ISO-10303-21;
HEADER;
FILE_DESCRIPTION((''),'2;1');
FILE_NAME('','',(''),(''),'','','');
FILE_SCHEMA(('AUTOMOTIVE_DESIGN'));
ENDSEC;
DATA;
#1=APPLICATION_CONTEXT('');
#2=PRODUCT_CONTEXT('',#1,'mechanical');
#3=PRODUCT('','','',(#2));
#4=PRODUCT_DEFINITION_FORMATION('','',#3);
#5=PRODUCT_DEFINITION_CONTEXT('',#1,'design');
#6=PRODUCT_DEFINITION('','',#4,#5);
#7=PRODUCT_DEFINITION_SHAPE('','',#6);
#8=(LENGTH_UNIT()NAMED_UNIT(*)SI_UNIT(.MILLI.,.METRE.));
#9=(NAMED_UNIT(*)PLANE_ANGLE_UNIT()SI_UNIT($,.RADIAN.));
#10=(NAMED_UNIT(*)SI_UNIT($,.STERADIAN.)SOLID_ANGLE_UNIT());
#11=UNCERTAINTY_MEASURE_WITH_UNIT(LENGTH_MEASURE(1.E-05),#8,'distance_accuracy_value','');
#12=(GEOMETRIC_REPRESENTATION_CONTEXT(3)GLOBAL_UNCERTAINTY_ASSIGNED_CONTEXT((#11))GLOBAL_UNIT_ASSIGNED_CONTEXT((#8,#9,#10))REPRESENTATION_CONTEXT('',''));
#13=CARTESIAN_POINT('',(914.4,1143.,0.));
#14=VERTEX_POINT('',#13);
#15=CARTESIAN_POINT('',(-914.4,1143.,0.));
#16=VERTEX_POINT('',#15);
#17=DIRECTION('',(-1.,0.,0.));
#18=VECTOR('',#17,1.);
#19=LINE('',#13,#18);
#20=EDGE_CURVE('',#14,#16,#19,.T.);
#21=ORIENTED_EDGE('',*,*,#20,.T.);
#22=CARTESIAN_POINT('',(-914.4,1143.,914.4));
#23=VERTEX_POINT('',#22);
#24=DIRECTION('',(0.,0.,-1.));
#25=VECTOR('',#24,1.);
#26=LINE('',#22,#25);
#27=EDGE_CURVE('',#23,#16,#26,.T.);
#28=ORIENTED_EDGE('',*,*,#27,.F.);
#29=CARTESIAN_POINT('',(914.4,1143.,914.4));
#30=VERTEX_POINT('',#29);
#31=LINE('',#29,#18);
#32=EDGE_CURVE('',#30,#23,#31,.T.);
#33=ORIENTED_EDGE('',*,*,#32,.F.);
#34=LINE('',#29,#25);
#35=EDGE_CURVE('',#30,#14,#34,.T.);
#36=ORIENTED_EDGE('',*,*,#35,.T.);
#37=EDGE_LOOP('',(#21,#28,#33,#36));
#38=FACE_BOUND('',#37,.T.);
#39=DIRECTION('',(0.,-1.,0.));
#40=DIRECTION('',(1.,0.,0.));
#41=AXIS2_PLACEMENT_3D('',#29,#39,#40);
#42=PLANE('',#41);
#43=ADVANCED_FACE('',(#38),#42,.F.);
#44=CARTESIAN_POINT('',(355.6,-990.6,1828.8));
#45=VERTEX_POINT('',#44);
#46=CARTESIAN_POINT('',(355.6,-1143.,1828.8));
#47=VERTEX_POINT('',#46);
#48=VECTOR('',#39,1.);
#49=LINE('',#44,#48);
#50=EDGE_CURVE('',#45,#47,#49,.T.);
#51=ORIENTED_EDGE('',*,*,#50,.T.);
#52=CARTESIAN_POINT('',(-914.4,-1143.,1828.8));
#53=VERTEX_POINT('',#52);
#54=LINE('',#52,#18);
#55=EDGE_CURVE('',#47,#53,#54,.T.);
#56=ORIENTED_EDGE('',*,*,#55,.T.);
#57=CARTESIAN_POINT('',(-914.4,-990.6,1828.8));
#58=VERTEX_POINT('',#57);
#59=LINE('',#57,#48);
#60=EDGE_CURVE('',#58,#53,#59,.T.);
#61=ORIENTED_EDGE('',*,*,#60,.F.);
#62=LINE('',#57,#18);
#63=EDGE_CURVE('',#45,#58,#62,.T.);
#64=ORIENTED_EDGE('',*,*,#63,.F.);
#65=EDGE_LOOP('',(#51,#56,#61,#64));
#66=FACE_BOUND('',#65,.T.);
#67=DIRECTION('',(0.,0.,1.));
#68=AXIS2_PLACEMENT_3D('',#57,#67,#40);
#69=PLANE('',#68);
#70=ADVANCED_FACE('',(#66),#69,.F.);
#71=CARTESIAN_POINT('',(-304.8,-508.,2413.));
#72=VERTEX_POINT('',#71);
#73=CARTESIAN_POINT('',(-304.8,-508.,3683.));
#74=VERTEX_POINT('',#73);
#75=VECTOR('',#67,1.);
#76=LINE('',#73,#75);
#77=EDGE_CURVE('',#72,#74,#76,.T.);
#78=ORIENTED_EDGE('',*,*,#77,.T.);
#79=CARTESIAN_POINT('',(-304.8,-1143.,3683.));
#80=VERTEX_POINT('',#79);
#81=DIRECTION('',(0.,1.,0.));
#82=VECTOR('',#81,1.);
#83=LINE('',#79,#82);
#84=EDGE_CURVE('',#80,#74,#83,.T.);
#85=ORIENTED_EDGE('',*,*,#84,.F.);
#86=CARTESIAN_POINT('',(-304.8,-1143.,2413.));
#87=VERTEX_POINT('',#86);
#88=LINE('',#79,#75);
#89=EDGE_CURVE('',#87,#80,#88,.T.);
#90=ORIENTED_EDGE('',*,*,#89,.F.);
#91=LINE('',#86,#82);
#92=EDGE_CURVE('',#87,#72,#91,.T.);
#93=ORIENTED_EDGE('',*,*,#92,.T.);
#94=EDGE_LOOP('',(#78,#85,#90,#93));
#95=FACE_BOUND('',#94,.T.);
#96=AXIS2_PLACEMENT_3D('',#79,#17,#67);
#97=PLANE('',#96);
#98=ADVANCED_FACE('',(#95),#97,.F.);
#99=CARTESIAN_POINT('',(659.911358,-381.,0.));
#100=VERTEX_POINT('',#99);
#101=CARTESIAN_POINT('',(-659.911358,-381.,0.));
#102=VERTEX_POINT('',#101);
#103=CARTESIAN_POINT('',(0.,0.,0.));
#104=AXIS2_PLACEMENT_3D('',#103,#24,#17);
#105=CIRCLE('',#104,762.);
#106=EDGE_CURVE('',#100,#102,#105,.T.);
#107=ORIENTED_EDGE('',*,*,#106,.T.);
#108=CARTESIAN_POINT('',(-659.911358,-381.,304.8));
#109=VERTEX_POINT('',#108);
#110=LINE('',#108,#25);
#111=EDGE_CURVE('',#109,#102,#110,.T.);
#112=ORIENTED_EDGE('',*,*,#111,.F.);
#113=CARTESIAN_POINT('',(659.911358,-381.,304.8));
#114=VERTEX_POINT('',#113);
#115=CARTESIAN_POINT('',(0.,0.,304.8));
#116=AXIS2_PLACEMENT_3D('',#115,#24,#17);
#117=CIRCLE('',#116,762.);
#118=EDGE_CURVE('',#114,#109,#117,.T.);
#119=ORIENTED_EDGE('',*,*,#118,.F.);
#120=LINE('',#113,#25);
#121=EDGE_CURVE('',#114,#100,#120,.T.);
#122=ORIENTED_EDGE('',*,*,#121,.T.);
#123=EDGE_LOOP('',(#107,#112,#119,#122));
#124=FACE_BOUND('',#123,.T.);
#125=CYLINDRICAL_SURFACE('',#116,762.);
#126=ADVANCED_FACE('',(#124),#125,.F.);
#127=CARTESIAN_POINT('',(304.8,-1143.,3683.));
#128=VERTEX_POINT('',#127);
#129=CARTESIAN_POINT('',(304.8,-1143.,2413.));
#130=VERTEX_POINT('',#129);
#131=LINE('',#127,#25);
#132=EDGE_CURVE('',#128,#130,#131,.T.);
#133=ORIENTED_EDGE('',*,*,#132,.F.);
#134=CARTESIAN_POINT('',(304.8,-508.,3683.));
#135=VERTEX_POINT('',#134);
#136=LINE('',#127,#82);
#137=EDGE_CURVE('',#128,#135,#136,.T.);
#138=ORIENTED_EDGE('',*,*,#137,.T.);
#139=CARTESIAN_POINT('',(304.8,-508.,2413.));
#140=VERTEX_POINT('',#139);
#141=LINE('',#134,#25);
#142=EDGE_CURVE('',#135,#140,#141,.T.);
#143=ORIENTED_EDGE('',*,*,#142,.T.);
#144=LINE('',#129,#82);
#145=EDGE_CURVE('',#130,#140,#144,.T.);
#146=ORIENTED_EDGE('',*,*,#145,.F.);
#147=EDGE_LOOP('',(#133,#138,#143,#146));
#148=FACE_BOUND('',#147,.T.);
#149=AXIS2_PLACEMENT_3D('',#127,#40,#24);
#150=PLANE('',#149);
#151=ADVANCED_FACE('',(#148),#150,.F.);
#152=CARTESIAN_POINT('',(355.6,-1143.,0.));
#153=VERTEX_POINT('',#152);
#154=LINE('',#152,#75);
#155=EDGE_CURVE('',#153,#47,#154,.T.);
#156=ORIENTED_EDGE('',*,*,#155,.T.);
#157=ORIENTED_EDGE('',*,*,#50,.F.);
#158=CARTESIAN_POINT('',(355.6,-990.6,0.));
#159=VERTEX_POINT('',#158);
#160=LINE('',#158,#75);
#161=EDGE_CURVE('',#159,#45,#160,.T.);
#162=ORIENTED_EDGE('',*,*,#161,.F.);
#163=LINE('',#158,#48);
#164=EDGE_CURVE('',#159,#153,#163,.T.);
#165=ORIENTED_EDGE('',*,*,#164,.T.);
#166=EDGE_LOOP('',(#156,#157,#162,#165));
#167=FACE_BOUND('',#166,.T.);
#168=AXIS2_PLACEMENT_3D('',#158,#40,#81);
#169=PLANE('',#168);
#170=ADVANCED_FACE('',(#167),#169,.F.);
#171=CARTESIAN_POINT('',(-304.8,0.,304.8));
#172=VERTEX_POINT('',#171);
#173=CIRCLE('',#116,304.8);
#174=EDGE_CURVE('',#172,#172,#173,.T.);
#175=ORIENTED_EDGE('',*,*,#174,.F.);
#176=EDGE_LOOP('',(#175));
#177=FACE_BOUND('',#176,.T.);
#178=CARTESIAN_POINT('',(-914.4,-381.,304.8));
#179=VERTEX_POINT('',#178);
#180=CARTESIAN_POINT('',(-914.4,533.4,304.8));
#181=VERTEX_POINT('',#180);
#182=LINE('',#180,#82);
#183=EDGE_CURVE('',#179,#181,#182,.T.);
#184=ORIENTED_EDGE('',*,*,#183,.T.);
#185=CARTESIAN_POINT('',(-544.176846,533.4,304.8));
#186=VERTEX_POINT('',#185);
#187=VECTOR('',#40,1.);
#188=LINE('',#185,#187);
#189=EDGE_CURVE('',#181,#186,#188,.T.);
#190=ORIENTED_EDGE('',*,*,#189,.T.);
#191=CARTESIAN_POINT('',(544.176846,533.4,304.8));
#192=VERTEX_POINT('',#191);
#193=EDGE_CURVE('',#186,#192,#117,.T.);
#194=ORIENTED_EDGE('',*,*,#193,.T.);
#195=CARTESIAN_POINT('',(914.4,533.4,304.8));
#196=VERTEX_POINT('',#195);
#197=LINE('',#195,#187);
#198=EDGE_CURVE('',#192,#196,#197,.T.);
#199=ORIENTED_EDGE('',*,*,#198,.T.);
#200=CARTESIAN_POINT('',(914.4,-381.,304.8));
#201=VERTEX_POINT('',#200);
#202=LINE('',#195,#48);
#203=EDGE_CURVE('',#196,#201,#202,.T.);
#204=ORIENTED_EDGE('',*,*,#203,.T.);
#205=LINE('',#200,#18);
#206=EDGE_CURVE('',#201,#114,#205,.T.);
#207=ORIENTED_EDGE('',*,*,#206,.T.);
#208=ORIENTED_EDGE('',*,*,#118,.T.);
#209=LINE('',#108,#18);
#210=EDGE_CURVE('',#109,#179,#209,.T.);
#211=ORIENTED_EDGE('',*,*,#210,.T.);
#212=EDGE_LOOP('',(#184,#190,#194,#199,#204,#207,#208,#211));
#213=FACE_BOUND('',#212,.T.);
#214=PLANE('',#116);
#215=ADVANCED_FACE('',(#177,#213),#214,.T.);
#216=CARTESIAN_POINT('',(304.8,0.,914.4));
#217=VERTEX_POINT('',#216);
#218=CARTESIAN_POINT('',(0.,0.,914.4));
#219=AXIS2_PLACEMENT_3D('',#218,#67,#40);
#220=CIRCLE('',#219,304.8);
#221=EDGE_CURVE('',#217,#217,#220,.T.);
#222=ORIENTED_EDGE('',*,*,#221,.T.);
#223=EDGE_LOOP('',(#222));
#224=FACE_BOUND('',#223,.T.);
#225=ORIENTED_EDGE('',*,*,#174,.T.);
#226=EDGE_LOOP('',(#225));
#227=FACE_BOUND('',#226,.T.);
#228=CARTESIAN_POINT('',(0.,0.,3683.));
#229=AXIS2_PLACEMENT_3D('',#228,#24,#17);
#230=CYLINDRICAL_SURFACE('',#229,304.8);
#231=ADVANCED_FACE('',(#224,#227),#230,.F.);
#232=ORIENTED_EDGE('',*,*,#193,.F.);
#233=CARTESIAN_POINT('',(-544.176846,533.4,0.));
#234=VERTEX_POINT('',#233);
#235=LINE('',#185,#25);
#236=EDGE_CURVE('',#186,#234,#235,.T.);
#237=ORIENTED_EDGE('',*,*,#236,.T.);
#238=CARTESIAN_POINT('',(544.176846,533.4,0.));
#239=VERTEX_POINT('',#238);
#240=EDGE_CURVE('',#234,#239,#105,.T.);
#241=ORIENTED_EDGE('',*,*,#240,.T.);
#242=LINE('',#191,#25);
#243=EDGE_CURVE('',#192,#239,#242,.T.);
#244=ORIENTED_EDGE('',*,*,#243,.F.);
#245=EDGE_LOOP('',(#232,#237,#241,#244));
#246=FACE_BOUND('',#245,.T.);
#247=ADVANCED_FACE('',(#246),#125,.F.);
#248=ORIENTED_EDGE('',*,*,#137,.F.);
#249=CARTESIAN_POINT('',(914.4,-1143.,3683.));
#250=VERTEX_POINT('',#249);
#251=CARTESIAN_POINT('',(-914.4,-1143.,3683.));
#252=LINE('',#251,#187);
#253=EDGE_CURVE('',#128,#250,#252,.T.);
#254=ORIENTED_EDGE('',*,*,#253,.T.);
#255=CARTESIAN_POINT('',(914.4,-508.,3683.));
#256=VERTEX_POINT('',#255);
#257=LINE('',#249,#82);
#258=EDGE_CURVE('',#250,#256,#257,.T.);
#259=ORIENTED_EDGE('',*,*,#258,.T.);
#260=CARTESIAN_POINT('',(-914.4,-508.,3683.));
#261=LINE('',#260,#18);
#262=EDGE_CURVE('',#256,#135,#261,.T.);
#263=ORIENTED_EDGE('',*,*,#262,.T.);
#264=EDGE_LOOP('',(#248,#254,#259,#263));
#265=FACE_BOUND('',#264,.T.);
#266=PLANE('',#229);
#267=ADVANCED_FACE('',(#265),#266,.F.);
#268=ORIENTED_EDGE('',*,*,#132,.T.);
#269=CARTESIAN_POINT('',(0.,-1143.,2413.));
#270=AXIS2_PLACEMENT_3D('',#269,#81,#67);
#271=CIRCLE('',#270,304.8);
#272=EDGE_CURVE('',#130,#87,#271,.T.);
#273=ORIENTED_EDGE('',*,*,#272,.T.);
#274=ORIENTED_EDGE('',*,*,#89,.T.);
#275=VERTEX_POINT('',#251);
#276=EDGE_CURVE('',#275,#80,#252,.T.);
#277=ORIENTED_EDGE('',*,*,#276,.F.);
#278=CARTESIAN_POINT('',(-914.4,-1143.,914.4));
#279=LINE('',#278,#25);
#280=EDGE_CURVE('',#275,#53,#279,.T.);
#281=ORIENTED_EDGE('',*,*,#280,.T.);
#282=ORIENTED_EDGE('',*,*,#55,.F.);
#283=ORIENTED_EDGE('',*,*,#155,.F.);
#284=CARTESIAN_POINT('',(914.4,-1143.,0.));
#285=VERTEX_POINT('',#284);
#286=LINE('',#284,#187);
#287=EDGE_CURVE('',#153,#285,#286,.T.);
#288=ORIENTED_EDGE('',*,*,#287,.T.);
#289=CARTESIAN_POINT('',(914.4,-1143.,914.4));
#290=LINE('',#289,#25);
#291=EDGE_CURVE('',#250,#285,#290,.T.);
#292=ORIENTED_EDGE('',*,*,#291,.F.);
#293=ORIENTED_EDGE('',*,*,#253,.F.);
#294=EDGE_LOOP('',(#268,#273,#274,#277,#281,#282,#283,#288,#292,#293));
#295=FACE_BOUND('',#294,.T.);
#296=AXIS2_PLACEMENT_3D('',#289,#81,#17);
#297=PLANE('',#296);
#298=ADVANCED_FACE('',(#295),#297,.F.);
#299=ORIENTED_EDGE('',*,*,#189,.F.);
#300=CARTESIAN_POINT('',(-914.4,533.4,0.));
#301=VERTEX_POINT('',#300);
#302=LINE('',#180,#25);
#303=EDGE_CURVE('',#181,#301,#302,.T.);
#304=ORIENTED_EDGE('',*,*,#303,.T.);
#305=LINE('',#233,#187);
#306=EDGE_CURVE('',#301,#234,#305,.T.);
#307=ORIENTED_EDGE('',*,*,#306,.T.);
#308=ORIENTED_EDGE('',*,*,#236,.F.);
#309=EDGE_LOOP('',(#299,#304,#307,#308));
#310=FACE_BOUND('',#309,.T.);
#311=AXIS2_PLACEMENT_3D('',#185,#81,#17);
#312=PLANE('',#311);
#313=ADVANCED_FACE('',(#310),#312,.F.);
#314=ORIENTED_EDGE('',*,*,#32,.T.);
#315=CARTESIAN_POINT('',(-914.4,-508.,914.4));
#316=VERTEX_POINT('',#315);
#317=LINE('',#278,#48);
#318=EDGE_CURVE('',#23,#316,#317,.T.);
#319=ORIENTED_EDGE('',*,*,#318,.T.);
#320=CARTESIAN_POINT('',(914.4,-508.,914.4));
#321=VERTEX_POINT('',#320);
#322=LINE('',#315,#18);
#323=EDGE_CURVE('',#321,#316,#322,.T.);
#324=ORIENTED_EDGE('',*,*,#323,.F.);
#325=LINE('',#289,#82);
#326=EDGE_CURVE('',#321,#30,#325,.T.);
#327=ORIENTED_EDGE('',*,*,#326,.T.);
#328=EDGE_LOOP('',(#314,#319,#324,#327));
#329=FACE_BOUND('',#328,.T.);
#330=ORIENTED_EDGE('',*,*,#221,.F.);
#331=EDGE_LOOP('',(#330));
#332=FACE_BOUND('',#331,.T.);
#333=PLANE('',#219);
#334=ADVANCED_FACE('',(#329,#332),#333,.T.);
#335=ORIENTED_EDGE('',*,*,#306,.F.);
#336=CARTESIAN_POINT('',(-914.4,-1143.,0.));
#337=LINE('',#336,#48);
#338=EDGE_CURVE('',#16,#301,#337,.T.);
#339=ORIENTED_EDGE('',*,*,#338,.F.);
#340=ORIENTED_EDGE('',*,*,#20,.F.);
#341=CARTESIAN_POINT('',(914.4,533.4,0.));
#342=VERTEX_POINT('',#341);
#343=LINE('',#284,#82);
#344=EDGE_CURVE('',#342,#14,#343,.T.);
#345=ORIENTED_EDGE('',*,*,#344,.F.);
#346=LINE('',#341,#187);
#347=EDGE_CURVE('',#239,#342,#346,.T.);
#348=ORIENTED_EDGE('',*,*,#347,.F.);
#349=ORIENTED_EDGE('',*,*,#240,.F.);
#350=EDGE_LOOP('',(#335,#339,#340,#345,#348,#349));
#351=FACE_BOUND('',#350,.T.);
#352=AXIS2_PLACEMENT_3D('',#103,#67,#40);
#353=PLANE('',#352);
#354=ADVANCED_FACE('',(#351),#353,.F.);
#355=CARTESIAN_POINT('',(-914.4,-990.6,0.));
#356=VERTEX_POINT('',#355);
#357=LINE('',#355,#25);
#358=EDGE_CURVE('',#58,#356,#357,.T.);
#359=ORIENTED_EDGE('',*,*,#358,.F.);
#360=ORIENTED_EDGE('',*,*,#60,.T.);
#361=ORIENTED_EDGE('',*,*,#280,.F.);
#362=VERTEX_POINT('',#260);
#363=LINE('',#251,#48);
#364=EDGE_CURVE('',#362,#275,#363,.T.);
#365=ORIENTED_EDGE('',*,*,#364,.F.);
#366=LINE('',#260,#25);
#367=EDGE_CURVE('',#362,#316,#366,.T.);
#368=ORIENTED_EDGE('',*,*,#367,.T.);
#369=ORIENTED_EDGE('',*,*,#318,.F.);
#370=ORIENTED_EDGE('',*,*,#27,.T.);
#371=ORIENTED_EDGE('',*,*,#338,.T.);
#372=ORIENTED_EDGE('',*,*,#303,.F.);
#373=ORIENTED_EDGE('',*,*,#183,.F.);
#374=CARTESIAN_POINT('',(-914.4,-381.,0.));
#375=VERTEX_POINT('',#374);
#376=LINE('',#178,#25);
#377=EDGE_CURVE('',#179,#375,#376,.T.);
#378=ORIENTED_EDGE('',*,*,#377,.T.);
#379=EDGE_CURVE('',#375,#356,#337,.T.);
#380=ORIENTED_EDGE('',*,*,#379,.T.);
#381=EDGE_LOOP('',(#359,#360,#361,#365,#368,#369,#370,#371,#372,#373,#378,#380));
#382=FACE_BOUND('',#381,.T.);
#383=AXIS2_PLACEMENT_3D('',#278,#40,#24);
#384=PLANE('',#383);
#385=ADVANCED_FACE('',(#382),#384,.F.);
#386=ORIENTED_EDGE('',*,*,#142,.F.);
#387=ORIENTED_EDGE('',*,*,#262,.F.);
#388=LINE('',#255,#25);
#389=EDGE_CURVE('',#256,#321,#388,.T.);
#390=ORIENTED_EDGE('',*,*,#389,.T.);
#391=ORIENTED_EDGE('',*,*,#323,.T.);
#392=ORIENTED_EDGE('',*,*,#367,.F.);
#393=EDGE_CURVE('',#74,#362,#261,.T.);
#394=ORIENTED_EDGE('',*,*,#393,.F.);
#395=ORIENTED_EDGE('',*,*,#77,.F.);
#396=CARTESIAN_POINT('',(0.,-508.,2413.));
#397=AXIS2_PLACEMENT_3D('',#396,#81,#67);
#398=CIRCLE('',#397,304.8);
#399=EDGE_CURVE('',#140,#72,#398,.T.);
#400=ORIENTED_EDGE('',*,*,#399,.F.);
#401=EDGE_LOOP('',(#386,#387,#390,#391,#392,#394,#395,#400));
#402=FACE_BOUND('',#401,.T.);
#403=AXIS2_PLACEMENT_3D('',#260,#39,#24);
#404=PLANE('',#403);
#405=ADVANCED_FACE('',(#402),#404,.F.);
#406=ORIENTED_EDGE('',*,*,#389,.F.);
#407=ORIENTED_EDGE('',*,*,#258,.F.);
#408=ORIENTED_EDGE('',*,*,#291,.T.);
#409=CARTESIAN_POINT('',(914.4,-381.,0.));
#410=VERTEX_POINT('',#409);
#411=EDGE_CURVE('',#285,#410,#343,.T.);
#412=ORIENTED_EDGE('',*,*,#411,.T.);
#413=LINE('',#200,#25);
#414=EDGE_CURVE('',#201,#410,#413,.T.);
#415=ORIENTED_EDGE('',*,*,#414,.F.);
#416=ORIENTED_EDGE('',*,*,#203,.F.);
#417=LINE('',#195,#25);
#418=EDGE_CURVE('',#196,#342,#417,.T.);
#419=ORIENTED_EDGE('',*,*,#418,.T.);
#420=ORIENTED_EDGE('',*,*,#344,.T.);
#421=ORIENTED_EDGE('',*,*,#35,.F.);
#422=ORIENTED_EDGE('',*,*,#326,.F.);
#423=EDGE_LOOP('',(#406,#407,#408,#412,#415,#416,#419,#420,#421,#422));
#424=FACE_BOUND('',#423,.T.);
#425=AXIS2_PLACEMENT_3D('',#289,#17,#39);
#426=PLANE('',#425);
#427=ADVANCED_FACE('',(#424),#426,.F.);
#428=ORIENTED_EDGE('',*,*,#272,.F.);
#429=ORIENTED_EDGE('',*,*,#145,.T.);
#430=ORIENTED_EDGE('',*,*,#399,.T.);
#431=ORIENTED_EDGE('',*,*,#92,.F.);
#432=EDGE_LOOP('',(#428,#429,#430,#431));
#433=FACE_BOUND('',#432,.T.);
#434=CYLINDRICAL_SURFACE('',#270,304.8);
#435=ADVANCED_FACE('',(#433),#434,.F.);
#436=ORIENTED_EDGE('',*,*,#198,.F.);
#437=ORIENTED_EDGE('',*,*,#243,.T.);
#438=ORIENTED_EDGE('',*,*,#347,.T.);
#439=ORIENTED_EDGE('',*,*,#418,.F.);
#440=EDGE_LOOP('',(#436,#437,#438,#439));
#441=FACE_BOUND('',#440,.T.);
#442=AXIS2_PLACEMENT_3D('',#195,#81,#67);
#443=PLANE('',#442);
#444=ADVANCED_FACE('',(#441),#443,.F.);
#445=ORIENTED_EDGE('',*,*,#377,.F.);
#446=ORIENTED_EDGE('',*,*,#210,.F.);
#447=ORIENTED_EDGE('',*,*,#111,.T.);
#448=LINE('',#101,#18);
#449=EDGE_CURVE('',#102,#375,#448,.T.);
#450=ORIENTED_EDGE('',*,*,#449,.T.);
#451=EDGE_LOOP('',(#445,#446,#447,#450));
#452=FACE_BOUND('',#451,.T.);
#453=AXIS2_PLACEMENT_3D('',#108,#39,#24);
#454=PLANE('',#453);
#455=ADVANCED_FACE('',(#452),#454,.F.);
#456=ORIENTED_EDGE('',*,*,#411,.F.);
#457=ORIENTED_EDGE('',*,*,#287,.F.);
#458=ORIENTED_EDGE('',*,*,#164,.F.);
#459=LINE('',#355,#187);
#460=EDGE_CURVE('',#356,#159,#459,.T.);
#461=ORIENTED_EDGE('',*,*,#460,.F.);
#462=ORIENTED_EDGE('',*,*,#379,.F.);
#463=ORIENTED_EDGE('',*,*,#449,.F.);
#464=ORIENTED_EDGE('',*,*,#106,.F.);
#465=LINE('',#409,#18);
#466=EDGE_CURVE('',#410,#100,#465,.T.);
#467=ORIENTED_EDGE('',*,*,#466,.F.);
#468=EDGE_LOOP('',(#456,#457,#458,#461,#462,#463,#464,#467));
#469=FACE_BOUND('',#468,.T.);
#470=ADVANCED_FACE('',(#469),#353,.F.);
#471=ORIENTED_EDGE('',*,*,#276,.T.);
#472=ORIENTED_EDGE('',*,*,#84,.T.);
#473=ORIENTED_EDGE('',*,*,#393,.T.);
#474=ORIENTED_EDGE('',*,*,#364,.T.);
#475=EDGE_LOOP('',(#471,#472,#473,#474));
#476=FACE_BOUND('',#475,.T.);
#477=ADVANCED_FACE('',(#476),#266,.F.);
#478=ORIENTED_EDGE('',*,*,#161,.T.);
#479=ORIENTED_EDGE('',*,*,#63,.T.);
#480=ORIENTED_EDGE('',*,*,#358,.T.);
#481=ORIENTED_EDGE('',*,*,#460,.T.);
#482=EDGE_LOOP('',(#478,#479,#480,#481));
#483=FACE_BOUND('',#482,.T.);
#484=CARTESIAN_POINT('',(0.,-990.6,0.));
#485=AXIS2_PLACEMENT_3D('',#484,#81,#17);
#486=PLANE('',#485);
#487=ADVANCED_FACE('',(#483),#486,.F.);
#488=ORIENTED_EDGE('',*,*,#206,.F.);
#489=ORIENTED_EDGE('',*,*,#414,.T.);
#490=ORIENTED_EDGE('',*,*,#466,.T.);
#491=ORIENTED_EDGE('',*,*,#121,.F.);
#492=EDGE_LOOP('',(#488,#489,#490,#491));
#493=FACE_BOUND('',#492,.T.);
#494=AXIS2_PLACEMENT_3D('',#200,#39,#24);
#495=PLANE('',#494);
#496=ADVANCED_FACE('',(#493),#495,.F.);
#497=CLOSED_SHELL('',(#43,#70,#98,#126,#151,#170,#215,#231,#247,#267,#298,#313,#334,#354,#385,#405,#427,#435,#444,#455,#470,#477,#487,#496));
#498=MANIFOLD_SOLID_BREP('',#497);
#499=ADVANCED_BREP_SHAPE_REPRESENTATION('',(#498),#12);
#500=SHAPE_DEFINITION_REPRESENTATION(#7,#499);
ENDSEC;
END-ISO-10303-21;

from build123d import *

# Parameters (mm, degrees)
SKETCH1_W           = 1828.8
SKETCH1_H           = 2286
BOSS_EXTRUDE1_DEPTH = 914.4
SKETCH2_W           = 1828.8
SKETCH2_H           = 635
BOSS_EXTRUDE2_DEPTH = 2768.6
CUT_EXTRUDE1_DEPTH  = 4139.407587466
SKETCH4_W           = 1270
SKETCH4_H           = 1828.8
CUT_EXTRUDE2_DEPTH  = 152.4
CUT_EXTRUDE3_DEPTH  = 304.8
SKETCH6_R           = 304.8
CUT_EXTRUDE4_DEPTH  = 3682.685972486


with BuildPart() as part:
    # Sketch1 → Boss-Extrude1 (new body)
    with BuildSketch(Plane.XY):
        Rectangle(SKETCH1_W, SKETCH1_H)
    extrude(amount=BOSS_EXTRUDE1_DEPTH)

    # Sketch2 → Boss-Extrude2 (add)
    with BuildSketch(Plane.XY.offset(914.4)):
        with Locations((0, -825.5)):
            Rectangle(SKETCH2_W, SKETCH2_H)
    extrude(amount=BOSS_EXTRUDE2_DEPTH)

    # Sketch3 → Cut-Extrude1 (cut, through all)
    with BuildSketch(Plane(origin=(0, -508, 0), x_dir=(1, 0, 0), z_dir=(0, 1, 0))):
        with BuildLine():
            Line((304.8, -3683), (304.8, -2413))
            ThreePointArc((304.8, -2413), (0, -2108.2), (-304.8, -2413))
            Line((-304.8, -2413), (-304.8, -3683))
            Line((-304.8, -3683), (304.8, -3683))
        make_face()
    extrude(amount=-CUT_EXTRUDE1_DEPTH, mode=Mode.SUBTRACT)

    # Sketch4 → Cut-Extrude2 (cut)
    with BuildSketch(Plane.XZ.offset(1143)):
        with Locations((-279.4, 914.4)):
            Rectangle(SKETCH4_W, SKETCH4_H)
    extrude(amount=-CUT_EXTRUDE2_DEPTH, mode=Mode.SUBTRACT)

    # Sketch5 → Cut-Extrude3 (cut)
    with BuildSketch(Plane(origin=(0, 0, 0), x_dir=(-1, 0, 0), z_dir=(0, 0, -1))):
        with BuildLine():
            Line((-914.4, 533.4), (-544.176846255, 533.4))
            ThreePointArc((-544.176846255, 533.4), (0, 762), (544.176846255, 533.4))
            Line((544.176846255, 533.4), (914.4, 533.4))
            Line((914.4, 533.4), (914.4, -381))
            Line((914.4, -381), (659.911357684, -381))
            ThreePointArc((659.911357684, -381), (0, -762), (-659.911357684, -381))
            Line((-659.911357684, -381), (-914.4, -381))
            Line((-914.4, -381), (-914.4, 533.4))
        make_face()
    extrude(amount=-CUT_EXTRUDE3_DEPTH, mode=Mode.SUBTRACT)

    # Sketch6 → Cut-Extrude4 (cut, through all)
    with BuildSketch(Plane(origin=(0, 0, 304.8), x_dir=(-1, 0, 0), z_dir=(0, 0, -1))):
        Circle(SKETCH6_R)
    extrude(amount=-CUT_EXTRUDE4_DEPTH, mode=Mode.SUBTRACT)


solid = part.part
